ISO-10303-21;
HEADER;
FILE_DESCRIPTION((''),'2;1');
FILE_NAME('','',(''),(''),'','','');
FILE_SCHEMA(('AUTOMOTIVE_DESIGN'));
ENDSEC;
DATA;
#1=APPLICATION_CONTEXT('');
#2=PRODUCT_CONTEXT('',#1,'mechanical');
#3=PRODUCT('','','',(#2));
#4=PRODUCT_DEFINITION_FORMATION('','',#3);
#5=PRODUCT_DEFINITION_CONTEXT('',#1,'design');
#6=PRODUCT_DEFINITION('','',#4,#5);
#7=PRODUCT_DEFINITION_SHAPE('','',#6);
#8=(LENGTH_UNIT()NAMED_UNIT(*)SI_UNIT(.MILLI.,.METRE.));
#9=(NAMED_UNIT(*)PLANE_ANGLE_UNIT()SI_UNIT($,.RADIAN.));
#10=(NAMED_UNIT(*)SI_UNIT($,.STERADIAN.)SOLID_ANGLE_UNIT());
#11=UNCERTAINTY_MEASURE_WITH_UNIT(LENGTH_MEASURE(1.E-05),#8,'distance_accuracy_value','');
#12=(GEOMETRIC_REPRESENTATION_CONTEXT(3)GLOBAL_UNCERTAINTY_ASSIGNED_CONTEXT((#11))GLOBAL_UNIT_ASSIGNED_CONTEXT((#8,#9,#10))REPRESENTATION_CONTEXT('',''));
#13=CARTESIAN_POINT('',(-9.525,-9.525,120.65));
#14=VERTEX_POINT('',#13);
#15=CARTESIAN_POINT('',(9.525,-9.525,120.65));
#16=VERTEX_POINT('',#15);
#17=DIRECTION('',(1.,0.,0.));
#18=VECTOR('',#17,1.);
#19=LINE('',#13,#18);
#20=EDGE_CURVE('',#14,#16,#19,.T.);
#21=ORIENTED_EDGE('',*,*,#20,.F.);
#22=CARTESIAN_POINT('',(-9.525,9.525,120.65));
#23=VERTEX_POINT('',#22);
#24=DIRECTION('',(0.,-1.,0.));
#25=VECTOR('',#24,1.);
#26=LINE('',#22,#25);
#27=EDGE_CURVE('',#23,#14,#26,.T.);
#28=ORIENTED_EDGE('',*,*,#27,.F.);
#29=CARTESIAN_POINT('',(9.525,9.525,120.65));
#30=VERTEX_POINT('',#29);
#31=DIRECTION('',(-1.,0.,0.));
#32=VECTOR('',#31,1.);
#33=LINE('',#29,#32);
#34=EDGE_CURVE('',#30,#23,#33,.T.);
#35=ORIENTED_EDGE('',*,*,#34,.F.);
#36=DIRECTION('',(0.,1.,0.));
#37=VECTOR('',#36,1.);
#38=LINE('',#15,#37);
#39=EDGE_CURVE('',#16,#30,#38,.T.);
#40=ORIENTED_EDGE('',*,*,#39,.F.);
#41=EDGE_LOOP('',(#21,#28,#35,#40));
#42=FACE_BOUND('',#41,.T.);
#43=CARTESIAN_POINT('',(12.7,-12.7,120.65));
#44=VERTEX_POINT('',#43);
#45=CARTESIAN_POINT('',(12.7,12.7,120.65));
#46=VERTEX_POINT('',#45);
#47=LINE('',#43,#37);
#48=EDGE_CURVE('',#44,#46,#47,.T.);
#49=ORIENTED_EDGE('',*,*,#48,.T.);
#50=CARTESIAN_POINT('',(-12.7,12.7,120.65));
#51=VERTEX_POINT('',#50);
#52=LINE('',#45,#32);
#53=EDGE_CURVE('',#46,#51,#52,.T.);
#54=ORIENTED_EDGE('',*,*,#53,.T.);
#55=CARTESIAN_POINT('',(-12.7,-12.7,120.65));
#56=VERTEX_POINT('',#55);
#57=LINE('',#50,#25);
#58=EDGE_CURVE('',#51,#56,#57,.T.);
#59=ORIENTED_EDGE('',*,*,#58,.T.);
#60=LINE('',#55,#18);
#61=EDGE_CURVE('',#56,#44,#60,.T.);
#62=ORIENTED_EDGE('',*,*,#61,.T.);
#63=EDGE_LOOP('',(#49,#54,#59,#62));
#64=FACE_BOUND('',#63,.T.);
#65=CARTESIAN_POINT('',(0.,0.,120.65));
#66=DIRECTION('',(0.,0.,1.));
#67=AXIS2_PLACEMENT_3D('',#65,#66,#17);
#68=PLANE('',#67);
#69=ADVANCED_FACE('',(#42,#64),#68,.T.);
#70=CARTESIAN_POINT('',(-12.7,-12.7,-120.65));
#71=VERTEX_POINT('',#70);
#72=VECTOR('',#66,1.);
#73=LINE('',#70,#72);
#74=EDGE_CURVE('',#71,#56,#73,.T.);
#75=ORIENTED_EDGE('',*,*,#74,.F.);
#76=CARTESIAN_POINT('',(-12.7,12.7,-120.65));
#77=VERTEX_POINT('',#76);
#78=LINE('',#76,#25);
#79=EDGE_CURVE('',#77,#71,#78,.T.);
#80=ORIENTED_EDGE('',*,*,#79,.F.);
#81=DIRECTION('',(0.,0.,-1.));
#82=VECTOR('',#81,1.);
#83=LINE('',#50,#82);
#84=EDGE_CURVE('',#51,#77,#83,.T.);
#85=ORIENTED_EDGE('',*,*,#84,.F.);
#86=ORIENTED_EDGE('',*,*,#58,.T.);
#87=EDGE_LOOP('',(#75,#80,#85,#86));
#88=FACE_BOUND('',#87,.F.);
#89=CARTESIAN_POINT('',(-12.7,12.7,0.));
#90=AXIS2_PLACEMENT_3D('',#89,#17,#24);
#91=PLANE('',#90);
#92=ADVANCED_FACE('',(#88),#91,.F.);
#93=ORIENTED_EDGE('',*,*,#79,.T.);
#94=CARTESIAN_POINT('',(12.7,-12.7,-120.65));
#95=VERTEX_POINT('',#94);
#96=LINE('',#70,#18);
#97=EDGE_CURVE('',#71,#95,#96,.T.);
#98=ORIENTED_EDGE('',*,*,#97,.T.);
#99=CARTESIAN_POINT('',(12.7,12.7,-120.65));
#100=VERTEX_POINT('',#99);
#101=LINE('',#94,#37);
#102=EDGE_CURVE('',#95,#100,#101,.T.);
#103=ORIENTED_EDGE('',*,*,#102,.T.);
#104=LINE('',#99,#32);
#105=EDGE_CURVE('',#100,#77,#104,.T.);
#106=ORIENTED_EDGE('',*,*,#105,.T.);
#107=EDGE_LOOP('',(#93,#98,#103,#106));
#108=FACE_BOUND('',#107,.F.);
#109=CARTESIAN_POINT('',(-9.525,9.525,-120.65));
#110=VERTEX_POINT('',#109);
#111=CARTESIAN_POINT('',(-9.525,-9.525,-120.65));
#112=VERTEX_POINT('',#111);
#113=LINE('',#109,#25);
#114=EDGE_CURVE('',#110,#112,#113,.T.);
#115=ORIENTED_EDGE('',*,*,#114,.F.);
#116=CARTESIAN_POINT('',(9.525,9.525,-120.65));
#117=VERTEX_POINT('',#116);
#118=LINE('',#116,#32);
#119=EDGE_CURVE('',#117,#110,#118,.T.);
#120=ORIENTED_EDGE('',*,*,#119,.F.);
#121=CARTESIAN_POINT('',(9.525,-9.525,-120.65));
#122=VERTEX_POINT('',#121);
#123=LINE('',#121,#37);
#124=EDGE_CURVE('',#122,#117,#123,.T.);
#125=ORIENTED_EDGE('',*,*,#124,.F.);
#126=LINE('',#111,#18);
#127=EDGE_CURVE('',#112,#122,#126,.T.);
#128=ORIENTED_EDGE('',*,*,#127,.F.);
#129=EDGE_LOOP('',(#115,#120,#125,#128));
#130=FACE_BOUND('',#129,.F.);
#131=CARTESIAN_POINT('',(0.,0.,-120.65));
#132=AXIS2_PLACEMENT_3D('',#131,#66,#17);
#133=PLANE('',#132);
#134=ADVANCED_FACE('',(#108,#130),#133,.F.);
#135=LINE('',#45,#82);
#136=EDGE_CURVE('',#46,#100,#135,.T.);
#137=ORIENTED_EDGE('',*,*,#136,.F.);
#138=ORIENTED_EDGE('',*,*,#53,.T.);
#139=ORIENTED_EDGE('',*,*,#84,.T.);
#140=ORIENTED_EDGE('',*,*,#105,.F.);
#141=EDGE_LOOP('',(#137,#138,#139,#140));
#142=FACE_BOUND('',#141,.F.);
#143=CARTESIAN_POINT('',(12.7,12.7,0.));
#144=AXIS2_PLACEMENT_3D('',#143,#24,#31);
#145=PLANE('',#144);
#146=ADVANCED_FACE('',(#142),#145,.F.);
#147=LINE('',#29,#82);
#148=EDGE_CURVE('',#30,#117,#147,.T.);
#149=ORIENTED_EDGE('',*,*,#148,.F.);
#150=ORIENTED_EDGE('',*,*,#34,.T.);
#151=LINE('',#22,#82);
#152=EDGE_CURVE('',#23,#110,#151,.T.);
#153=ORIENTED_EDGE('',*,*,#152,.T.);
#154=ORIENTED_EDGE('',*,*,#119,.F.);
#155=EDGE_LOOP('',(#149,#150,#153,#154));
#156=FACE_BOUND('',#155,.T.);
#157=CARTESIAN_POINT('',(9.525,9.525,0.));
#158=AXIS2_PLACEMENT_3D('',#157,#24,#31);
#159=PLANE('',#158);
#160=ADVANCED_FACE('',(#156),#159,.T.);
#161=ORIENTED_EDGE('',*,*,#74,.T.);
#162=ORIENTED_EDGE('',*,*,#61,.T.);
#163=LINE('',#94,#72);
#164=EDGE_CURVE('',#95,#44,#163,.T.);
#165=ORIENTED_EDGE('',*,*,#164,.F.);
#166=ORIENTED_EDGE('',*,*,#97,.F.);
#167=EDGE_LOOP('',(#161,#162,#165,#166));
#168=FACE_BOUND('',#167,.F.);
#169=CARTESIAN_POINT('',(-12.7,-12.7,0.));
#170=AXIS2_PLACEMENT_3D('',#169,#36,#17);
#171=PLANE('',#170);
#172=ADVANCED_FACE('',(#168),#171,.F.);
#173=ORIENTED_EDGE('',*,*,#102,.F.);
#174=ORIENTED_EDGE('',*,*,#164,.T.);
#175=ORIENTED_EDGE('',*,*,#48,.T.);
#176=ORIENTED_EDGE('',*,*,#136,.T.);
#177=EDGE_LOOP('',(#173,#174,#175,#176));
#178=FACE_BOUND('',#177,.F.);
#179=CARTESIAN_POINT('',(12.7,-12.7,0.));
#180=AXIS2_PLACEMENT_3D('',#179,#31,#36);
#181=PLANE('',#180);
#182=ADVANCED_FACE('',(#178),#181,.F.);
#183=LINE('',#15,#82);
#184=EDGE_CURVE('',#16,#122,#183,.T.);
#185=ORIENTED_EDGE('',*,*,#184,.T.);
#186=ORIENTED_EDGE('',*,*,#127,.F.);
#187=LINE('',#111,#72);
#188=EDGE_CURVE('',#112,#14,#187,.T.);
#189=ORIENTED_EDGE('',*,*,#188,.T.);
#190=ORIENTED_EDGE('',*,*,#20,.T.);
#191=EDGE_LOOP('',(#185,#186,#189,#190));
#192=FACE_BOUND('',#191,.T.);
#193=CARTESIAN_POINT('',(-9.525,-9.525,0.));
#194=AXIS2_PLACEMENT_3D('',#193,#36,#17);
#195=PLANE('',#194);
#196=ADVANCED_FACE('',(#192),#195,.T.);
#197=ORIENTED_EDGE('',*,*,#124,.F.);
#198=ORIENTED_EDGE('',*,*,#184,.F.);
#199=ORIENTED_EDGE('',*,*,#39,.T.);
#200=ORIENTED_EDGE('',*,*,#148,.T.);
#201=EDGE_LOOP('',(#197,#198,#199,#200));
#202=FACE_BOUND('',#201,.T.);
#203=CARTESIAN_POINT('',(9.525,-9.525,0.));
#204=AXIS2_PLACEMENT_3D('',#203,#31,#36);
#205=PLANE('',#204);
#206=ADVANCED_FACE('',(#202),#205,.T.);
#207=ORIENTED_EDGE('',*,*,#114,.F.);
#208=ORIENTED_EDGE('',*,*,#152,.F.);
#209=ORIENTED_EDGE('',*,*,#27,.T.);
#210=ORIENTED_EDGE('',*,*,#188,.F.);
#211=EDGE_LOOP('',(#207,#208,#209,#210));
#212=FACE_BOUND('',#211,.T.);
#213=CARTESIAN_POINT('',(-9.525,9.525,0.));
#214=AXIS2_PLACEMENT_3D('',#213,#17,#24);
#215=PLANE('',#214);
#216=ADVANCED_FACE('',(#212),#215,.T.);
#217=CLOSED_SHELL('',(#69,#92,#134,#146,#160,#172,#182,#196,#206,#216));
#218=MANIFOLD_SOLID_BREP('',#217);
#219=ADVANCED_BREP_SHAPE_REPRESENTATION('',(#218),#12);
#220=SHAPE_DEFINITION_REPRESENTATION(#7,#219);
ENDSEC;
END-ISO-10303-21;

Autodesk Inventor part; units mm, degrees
ref_plane "YZ Plane" through (0, 0, 0) normal (1, 0, 0) x (0, 1, 0)
ref_plane "XZ Plane" through (0, 0, 0) normal (0, 1, 0) x (-1, 0, 0)
ref_plane "XY Plane" through (0, 0, 0) normal (0, 0, 1) x (1, 0, 0)
sketch "Sketch1" plane through (0, 0, 0) normal (0, 0, 1) x (1, 0, 0)
  line L0 (-12.7, -12.7) -> (12.7, -12.7)
  line L1 (12.7, -12.7) -> (12.7, 12.7)
  line L2 (12.7, 12.7) -> (-12.7, 12.7)
  line L3 (-12.7, 12.7) -> (-12.7, -12.7)
  line L4 (-12.7, -12.7) -> (12.7, 12.7) construction
  line L5 (12.7, -12.7) -> (-12.7, 12.7) construction
  line L6 (-9.525, -9.525) -> (9.525, -9.525)
  line L7 (9.525, -9.525) -> (9.525, 9.525)
  line L8 (9.525, 9.525) -> (-9.525, 9.525)
  line L9 (-9.525, 9.525) -> (-9.525, -9.525)
  line L10 (-9.525, -9.525) -> (9.525, 9.525) construction
  line L11 (9.525, -9.525) -> (-9.525, 9.525) construction
  point P0 (0, 0)
  dimension "d0" = 25.4
  dimension "d1" = 25.4
  dimension "d2" = 3.175
  dimension "d3" = 3.175
extrude "Extrusion1" add sketch "Sketch1" along normal mid plane 241.3
properties part number "9_500-inchAluminumTubing" material "Aluminum 6061"
